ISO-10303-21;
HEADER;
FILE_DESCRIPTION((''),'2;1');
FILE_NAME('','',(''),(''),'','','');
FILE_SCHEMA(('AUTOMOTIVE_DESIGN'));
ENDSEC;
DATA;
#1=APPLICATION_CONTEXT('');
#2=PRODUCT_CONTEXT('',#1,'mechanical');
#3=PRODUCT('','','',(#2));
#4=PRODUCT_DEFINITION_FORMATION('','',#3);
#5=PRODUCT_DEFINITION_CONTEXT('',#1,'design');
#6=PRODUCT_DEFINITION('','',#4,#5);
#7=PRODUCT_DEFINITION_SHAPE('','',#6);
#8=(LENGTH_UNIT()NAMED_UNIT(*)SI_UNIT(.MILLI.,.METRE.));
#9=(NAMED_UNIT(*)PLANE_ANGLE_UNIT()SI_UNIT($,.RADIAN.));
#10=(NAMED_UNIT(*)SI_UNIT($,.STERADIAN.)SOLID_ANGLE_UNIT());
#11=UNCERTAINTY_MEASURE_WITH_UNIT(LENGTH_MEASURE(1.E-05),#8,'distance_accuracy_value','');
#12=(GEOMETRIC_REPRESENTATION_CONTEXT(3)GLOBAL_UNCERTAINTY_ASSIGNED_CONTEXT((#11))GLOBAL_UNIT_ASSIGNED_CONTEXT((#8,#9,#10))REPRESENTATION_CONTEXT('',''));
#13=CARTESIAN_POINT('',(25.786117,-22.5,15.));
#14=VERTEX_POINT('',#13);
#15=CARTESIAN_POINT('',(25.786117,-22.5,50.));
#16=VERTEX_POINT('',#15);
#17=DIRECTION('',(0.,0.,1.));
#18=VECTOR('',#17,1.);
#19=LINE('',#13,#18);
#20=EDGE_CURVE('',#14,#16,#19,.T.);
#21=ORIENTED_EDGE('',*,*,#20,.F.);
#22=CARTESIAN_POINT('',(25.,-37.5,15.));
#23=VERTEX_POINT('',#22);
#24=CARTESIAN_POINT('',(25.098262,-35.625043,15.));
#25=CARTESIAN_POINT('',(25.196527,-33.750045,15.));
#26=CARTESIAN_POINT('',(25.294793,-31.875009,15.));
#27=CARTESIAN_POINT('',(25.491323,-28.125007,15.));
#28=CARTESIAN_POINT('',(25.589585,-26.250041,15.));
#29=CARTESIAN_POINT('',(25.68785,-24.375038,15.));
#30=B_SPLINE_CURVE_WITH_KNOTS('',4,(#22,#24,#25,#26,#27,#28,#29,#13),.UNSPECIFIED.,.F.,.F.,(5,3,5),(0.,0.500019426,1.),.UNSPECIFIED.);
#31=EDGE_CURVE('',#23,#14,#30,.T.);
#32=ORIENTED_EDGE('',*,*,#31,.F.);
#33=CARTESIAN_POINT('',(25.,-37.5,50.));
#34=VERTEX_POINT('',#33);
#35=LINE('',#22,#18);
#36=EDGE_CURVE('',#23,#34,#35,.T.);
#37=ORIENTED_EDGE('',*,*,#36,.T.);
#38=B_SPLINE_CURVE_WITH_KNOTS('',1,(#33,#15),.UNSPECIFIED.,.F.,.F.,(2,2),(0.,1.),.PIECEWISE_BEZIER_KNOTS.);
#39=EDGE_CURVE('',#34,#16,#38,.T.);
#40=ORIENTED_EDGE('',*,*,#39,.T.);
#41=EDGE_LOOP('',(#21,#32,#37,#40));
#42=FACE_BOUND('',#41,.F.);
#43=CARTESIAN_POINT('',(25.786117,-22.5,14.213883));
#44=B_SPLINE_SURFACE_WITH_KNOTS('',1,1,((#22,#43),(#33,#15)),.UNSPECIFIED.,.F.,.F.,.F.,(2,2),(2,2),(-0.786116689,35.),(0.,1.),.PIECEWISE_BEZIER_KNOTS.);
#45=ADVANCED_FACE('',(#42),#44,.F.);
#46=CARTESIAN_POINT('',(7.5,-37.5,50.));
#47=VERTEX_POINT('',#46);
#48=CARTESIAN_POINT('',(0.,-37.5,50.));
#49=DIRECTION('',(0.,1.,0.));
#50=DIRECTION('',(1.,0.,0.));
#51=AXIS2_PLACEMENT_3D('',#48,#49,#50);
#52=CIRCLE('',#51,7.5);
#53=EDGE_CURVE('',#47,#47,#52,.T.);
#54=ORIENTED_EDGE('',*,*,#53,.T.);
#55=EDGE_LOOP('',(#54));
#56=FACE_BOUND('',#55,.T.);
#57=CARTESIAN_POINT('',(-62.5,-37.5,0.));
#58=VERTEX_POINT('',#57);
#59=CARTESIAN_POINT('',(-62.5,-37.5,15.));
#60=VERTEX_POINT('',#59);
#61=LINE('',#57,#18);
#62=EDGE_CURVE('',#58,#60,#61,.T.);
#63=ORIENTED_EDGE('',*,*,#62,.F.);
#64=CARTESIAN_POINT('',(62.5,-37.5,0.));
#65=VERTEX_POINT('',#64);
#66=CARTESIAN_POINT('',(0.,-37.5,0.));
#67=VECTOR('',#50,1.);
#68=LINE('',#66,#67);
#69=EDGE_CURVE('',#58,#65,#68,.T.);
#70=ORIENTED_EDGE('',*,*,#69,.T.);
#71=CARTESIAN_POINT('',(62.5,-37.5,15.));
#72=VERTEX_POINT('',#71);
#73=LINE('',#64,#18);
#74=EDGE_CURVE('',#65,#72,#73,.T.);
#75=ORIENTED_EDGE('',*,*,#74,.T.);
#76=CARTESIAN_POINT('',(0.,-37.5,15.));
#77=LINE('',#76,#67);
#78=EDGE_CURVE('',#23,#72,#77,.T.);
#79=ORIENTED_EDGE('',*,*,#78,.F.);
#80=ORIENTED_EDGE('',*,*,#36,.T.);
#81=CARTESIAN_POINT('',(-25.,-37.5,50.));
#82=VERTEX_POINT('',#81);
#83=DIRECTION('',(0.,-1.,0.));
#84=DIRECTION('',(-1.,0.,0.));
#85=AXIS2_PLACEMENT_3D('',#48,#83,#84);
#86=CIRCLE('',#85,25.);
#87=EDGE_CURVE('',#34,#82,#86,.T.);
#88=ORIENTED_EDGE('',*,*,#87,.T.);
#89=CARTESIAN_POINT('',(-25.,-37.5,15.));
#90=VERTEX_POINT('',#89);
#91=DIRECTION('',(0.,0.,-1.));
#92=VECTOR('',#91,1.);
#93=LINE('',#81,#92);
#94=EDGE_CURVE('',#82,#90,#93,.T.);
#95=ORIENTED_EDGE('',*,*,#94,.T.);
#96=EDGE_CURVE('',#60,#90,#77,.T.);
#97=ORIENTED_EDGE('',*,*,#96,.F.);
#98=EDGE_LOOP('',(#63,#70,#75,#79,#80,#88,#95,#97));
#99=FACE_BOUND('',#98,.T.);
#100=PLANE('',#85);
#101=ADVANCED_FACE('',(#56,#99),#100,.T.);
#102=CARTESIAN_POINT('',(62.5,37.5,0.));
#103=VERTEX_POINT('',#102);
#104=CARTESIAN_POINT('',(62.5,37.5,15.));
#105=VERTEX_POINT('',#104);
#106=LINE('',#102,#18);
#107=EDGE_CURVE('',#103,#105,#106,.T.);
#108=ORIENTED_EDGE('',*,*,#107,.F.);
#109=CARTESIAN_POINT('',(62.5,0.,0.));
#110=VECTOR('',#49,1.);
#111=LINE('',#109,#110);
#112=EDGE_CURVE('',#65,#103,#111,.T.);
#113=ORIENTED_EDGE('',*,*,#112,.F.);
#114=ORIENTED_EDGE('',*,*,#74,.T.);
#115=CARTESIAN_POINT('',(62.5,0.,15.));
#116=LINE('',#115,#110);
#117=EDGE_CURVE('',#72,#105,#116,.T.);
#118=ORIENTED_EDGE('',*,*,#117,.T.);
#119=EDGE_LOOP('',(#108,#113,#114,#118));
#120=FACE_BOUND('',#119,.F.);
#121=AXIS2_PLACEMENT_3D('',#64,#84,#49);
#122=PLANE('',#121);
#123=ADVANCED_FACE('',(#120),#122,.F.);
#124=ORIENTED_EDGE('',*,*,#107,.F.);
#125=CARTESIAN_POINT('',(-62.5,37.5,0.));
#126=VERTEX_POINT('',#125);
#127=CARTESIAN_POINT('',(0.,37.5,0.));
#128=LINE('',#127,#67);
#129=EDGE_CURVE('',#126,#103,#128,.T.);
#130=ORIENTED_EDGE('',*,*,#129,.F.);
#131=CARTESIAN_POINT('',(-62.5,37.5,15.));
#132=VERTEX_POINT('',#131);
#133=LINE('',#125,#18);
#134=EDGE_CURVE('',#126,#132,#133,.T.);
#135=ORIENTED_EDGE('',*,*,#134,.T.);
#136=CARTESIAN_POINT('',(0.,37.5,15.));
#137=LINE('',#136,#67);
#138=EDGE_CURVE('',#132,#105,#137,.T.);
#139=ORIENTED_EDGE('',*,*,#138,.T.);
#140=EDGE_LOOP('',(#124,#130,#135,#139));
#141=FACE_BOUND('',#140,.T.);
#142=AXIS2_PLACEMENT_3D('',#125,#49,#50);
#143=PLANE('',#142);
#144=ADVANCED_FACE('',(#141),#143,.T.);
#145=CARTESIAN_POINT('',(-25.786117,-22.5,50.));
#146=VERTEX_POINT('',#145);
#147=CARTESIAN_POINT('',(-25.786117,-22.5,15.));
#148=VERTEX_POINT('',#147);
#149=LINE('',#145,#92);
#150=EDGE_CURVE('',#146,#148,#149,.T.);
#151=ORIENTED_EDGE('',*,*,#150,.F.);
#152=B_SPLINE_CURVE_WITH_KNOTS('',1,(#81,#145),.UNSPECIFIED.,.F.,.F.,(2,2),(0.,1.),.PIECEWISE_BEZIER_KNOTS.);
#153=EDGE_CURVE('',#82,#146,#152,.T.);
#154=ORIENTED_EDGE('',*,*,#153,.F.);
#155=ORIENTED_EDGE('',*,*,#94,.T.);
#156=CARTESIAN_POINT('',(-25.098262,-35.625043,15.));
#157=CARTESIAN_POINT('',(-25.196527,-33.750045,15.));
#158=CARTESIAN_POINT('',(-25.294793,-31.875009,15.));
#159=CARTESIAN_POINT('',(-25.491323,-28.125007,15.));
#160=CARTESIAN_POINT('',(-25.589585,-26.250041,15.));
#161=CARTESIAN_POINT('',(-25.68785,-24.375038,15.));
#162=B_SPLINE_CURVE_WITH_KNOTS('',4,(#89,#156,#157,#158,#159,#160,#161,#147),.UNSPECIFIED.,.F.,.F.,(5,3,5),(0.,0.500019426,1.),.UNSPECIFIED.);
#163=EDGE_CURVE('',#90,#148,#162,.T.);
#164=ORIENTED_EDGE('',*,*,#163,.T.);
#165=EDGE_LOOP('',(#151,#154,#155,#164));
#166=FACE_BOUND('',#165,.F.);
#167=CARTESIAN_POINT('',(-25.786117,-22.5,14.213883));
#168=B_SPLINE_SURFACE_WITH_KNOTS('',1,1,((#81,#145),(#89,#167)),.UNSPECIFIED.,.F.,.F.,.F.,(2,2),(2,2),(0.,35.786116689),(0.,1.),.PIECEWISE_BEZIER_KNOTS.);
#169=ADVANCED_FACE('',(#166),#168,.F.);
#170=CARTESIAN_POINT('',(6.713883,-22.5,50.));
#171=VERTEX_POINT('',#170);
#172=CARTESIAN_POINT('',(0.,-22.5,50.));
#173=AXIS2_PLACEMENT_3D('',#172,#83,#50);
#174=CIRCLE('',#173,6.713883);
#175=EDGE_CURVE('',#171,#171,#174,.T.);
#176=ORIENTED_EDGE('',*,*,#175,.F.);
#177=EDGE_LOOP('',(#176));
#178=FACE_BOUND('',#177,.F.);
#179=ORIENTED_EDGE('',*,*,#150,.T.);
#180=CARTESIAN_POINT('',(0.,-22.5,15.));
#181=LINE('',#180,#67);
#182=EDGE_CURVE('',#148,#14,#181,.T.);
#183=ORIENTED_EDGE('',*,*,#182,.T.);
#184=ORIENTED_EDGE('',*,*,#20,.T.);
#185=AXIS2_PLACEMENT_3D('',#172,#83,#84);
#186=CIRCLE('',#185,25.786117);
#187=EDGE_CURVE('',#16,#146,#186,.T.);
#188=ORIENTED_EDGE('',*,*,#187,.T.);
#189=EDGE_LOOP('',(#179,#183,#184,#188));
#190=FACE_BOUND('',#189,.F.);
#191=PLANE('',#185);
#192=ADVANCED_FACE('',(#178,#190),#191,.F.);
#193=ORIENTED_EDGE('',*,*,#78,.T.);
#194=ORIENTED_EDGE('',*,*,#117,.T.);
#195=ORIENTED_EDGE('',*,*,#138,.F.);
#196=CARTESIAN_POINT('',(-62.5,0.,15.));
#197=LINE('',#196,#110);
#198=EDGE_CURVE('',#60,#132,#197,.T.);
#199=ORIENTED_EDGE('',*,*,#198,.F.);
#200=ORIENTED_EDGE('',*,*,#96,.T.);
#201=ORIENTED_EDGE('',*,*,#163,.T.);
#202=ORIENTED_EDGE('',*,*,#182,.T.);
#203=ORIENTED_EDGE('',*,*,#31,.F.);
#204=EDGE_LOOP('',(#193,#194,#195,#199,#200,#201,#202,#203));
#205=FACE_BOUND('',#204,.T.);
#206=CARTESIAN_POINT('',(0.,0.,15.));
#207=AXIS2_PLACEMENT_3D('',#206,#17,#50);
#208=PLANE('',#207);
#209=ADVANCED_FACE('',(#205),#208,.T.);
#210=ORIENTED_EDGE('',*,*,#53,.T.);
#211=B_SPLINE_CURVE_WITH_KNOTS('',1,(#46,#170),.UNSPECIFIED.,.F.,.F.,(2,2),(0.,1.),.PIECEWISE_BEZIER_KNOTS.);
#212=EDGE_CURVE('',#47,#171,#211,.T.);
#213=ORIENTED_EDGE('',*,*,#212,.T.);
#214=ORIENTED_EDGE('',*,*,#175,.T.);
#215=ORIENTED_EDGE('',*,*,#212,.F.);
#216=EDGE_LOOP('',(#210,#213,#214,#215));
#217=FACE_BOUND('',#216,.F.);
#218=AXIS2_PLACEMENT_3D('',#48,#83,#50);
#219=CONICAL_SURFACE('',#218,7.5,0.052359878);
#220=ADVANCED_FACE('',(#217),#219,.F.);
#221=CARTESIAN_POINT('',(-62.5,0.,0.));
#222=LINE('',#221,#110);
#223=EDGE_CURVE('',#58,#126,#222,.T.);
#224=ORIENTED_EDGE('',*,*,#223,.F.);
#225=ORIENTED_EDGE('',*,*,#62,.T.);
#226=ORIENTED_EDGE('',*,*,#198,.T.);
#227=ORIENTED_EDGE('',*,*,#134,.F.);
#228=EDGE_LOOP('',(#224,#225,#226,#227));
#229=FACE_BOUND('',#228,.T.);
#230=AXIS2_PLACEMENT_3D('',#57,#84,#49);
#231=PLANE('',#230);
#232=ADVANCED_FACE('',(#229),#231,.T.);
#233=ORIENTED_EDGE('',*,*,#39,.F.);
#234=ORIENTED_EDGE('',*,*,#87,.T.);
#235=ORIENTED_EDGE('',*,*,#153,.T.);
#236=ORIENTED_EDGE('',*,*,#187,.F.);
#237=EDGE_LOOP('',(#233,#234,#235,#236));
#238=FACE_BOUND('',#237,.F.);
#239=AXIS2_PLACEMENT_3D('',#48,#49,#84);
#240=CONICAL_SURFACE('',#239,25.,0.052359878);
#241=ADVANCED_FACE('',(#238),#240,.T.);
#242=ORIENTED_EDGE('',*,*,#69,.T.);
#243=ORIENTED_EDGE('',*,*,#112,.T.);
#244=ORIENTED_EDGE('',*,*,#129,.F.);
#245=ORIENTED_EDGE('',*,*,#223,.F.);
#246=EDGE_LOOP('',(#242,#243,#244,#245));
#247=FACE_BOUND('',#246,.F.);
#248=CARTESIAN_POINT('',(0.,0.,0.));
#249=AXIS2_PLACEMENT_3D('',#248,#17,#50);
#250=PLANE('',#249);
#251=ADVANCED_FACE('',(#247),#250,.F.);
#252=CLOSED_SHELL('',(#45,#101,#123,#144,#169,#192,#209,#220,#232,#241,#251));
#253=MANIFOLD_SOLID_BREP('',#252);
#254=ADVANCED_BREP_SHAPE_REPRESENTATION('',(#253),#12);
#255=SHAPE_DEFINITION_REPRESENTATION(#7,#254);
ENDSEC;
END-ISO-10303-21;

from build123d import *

# Parameters (mm, degrees)
F0_W     = 125
F0_H     = 75
F1_DEPTH = 15
F3_DEPTH = 15
F3_TAPER = -3


with BuildPart() as f1:
    # F0 (on Top) → F1 (new body)
    with BuildSketch(Plane.XY):
        Rectangle(F0_W, F0_H)
    extrude(amount=F1_DEPTH)

    # F2 (on face) → F3 (join)
    with BuildSketch(Plane.XZ.offset(37.5)):
        with BuildLine():
            Line((7.5, 50), (25, 50))
            ThreePointArc((25, 50), (0, 75), (-25, 50))
            Line((-25, 50), (-7.5, 50))
            ThreePointArc((-7.5, 50), (0, 57.5), (7.5, 50))
        make_face()
        with BuildLine():
            ThreePointArc((-25, 50), (0, 25), (25, 50))
            Line((25, 50), (7.5, 50))
            ThreePointArc((7.5, 50), (0, 42.5), (-7.5, 50))
            Line((-7.5, 50), (-25, 50))
        make_face()
        with BuildLine():
            Line((25, 15), (25, 50))
            ThreePointArc((25, 50), (0, 25), (-25, 50))
            Line((-25, 50), (-25, 15))
            Line((-25, 15), (25, 15))
        make_face()
    extrude(amount=-F3_DEPTH, taper=F3_TAPER)


solid = f1.part
